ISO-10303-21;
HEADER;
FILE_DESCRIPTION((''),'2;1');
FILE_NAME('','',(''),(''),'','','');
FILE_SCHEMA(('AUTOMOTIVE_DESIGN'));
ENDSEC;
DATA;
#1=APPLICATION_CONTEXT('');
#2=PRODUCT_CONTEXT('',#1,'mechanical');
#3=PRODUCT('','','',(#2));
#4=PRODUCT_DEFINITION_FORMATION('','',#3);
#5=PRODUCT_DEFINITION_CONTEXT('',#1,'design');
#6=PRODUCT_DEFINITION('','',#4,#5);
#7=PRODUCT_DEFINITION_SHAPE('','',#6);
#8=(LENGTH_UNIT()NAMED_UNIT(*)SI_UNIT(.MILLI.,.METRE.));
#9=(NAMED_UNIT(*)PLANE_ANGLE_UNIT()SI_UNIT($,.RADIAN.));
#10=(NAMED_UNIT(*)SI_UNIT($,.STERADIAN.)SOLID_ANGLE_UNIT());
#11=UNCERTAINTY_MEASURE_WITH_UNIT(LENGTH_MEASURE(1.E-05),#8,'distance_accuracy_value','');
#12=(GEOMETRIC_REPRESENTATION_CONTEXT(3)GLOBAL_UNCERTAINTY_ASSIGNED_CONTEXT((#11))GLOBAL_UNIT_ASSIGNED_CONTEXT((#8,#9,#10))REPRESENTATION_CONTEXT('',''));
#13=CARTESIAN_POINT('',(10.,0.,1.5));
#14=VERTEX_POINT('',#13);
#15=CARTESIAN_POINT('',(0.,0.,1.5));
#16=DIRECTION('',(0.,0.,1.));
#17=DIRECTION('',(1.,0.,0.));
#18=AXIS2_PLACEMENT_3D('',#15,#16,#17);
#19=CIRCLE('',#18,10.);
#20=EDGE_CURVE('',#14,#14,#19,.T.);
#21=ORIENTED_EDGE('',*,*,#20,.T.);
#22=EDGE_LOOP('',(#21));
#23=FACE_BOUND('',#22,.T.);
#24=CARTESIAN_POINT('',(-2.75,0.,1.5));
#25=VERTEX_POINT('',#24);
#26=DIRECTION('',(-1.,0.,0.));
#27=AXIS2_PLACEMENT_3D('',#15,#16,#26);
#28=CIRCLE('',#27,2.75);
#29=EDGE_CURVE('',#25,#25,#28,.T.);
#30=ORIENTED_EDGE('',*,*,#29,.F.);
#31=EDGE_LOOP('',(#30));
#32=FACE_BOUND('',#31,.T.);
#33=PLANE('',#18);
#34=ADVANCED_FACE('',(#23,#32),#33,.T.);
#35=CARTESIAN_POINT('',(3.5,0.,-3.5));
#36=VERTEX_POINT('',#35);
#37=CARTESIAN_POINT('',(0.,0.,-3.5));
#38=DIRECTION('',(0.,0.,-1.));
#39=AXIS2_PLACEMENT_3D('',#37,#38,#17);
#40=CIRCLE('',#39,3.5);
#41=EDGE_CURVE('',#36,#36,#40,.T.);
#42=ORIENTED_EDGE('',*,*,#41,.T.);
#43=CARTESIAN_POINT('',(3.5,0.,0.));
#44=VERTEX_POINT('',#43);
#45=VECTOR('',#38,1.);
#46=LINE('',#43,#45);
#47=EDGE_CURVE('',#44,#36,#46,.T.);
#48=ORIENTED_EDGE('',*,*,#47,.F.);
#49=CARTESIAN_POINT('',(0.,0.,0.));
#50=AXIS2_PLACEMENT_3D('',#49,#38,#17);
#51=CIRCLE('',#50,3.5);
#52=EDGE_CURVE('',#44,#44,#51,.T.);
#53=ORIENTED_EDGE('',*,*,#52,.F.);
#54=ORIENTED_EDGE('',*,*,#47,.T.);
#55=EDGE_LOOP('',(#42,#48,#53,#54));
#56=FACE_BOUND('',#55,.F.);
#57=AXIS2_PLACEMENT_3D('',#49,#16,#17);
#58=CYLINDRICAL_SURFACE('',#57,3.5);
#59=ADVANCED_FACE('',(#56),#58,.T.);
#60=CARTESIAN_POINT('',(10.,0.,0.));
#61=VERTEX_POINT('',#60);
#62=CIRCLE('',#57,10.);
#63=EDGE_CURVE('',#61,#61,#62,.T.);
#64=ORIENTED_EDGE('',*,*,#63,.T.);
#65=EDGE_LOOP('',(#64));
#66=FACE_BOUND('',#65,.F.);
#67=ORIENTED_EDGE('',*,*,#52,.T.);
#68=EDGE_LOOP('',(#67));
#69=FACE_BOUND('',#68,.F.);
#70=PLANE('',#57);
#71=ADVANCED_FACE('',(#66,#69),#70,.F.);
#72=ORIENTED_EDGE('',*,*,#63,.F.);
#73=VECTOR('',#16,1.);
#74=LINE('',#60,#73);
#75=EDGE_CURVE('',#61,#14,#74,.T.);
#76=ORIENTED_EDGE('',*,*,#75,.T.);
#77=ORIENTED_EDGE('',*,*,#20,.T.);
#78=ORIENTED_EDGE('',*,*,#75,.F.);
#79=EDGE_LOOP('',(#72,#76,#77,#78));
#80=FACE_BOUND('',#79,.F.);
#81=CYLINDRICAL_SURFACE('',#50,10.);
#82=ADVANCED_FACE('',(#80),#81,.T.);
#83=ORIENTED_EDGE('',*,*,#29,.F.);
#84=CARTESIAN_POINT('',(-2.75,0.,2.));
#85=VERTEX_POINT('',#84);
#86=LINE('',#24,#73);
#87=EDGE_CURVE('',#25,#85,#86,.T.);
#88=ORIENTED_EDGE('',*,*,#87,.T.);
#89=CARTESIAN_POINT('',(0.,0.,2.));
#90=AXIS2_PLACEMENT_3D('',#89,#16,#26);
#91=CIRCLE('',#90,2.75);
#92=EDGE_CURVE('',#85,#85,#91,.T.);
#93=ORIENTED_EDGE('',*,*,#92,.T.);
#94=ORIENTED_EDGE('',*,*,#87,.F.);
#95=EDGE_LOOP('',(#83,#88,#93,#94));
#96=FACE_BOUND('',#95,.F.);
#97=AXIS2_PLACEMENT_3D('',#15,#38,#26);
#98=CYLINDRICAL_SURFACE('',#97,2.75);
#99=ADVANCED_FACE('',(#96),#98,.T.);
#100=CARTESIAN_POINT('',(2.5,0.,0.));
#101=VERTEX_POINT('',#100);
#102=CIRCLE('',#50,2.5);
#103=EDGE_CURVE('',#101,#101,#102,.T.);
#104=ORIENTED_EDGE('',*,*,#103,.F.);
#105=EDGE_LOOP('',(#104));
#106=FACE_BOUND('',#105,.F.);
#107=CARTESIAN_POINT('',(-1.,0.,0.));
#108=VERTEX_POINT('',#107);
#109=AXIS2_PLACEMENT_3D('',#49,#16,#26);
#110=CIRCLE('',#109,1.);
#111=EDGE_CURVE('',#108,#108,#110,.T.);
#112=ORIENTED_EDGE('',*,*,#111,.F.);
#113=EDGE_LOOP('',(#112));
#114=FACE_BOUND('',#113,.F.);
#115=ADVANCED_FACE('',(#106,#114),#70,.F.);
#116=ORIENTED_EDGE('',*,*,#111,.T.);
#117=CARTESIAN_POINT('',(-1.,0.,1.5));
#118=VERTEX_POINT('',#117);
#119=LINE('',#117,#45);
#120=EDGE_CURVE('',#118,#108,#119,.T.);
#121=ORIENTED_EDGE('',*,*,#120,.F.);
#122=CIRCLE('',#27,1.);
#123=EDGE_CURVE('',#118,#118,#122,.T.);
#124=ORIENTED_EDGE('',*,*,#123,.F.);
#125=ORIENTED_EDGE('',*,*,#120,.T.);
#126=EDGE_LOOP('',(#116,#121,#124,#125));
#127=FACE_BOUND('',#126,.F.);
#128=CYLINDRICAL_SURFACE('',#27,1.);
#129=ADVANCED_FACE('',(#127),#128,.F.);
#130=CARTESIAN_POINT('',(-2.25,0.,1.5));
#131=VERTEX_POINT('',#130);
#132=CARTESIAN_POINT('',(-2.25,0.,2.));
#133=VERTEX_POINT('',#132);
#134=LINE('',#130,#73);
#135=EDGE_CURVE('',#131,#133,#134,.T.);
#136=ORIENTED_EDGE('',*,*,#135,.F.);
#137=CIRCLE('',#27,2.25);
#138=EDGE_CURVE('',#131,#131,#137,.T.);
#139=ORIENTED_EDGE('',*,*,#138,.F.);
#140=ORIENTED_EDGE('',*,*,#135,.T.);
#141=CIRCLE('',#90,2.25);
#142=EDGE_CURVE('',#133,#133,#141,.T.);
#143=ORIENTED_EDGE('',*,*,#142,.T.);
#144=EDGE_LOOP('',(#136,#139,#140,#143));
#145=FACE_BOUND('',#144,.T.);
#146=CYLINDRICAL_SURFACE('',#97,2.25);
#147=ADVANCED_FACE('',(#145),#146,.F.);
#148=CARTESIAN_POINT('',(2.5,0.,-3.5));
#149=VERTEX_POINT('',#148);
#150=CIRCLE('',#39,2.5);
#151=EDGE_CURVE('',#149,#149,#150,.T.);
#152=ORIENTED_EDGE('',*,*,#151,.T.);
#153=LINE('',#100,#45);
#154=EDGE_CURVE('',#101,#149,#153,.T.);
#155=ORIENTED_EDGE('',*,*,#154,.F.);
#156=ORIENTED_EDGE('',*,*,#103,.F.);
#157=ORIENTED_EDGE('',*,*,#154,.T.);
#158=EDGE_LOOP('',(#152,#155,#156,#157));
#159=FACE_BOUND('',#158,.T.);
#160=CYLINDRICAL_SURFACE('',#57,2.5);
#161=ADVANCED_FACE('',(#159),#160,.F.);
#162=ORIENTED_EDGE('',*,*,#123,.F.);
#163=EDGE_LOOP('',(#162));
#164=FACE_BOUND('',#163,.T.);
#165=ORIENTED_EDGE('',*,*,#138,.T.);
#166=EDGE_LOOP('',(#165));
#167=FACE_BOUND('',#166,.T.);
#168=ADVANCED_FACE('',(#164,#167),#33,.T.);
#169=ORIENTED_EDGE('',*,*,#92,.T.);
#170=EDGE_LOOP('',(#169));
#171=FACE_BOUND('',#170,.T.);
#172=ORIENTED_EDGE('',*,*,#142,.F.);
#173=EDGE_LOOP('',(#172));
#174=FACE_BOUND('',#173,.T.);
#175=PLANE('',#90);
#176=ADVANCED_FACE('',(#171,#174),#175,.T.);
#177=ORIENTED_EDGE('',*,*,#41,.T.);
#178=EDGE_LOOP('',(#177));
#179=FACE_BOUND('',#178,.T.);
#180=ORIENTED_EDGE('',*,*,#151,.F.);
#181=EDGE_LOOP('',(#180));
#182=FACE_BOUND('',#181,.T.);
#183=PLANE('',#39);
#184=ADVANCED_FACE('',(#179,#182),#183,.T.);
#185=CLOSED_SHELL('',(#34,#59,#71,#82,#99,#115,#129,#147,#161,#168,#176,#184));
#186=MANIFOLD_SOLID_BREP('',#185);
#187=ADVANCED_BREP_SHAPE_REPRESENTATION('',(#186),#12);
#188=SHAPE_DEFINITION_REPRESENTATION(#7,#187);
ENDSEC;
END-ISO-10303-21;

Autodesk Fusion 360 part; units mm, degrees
sketch "Horn Body" plane through (0, 0, 0) normal (0, 0, 1) x (1, 0, 0)
  circle A0 centre (0, 0) radius 10
  dimension "d1" = 20
extrude "Extrude1" add sketch "Horn Body" along normal blind 1.5
sketch "Connector" plane through (0, 0, 0) normal (0, 0, -1) x (1, 0, 0)
  circle A0 centre (0, 0) radius 10
  circle A1 centre (0, 0) radius 2.5
  circle A2 centre (0, 0) radius 3.5
  dimension "d4" = 5
  dimension "d5" = 7
extrude "Extrude2" add sketch "Connector" along normal blind 3.5 contours A2
sketch "Screw Hole" plane through (0, 0, 1.5) normal (0, 0, 1) x (-1, 0, 0)
  circle A0 centre (0, 0) radius 10
  circle A1 centre (0, 0) radius 2.75
  circle A2 centre (0, 0) radius 2.25
  circle A3 centre (0, 0) radius 1
  dimension "d8" = 5.5
  dimension "d9" = 4.5
  dimension "d10" = 2
extrude "Extrude3" add sketch "Screw Hole" along normal blind 0.5 contours A1
extrude "Extrude4" cut sketch "Screw Hole" against normal blind 1.5 contours A3
